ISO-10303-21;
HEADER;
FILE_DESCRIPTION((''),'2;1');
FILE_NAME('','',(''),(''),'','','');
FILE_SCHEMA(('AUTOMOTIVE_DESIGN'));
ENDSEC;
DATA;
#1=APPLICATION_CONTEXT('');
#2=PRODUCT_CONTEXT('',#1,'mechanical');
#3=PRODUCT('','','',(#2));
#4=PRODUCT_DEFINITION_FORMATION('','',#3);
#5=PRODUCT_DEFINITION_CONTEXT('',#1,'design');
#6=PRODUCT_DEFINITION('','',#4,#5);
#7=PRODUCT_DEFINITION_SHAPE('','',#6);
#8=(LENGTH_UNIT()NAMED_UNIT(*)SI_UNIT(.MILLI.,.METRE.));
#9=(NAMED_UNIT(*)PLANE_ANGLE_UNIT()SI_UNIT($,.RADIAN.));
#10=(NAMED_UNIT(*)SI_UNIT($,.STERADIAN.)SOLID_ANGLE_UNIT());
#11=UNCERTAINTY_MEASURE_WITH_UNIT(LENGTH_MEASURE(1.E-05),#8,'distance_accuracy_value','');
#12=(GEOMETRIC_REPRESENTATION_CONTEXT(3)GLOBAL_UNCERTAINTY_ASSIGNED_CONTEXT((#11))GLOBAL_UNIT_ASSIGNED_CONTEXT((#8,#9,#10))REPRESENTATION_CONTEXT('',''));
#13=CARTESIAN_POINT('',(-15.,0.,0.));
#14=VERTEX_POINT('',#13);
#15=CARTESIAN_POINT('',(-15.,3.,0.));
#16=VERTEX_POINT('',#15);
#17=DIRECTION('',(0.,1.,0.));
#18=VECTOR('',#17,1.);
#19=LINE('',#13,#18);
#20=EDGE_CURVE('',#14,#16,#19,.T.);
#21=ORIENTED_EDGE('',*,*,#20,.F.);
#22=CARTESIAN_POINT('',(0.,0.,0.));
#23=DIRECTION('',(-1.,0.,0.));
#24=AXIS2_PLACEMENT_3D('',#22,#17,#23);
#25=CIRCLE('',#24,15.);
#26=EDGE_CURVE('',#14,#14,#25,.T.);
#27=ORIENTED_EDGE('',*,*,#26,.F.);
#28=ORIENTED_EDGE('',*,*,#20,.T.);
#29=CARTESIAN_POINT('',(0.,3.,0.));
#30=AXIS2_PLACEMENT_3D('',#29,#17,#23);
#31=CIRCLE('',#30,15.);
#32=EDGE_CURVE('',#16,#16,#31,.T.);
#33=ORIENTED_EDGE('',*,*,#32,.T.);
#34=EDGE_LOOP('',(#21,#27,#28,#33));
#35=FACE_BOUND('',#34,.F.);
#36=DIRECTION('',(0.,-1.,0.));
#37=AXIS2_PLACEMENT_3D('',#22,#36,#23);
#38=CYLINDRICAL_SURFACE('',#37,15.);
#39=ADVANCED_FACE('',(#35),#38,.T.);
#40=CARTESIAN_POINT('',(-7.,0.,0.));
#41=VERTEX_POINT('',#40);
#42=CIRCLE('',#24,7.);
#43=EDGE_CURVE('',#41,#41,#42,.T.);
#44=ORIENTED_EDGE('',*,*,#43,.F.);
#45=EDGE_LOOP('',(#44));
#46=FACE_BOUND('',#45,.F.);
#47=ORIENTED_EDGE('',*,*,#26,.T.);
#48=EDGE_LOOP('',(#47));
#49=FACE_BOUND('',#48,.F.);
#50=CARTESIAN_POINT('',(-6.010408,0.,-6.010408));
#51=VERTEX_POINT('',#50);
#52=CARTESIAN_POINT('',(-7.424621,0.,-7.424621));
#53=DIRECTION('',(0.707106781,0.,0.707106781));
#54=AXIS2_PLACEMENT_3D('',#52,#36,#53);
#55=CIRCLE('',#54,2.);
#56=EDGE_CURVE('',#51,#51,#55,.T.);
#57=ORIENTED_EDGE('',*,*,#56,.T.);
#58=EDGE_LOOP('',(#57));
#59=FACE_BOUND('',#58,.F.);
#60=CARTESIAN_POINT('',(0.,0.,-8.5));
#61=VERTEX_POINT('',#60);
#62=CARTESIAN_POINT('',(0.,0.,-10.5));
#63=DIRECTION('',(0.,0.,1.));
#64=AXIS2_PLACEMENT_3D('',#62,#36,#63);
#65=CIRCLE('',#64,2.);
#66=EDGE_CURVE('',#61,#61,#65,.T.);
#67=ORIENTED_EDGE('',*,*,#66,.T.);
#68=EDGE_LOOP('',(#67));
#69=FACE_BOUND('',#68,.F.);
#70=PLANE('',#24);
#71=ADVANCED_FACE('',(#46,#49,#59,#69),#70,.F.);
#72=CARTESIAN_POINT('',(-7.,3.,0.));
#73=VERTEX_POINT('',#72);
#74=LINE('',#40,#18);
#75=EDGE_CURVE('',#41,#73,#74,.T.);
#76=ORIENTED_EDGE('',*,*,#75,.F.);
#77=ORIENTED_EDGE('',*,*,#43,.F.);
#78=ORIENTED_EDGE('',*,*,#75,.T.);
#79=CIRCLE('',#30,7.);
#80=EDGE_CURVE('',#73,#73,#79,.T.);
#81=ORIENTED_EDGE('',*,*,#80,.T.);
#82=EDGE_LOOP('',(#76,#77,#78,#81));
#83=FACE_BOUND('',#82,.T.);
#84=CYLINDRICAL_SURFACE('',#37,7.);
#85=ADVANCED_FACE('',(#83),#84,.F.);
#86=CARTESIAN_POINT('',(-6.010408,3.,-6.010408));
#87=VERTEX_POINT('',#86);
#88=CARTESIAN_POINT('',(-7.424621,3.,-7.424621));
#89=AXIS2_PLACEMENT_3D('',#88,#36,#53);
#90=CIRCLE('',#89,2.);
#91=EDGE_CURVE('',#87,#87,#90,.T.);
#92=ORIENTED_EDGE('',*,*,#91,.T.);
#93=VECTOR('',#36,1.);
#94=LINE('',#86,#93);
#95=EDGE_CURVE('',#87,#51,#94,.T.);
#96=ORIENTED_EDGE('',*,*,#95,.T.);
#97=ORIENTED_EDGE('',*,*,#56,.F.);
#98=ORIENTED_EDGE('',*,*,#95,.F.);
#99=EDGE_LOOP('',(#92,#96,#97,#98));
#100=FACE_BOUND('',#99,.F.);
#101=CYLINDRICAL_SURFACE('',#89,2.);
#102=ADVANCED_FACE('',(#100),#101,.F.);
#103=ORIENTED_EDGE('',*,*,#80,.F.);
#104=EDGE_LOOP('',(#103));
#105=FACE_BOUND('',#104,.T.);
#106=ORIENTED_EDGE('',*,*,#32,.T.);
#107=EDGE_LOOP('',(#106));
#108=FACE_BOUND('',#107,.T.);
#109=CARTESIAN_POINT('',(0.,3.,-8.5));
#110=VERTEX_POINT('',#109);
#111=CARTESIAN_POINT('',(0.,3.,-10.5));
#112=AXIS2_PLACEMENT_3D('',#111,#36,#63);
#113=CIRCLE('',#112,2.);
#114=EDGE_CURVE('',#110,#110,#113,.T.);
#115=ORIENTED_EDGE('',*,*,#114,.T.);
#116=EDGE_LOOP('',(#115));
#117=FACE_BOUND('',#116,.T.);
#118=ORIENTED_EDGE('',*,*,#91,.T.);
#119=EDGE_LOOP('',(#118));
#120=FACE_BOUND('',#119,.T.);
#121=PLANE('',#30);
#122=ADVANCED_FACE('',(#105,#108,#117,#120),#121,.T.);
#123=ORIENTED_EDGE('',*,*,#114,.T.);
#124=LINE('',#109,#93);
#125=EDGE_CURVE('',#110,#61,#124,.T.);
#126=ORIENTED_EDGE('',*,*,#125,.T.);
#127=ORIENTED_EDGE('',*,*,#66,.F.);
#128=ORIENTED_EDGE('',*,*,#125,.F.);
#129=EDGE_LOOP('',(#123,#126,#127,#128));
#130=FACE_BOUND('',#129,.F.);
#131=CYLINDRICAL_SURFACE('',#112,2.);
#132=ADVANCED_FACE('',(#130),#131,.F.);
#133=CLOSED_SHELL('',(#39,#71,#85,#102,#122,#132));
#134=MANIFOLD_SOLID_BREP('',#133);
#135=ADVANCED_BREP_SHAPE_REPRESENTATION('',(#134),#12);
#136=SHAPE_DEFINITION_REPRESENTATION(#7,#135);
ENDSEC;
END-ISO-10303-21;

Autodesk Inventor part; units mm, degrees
ref_plane "YZ Plane" through (0, 0, 0) normal (1, 0, 0) x (0, 1, 0)
ref_plane "XZ Plane" through (0, 0, 0) normal (0, 1, 0) x (-1, 0, 0)
ref_plane "XY Plane" through (0, 0, 0) normal (0, 0, 1) x (1, 0, 0)
sketch "Sketch1" plane through (0, 0, 0) normal (0, 1, 0) x (-1, 0, 0)
  circle A0 centre (0, 0) radius 15
  circle A1 centre (0, 0) radius 7
  dimension "d0" = 30
  dimension "d1" = 14
  dimension "d6" = 0
extrude "Extrusion1" add sketch "Sketch1" along normal blind 3
sketch "Sketch2" plane through (0, 3, 0) normal (0, 1, 0) x (1, 0, 0)
  circle A0 centre (0, 0) radius 15 projected
  line L0 (0, 0) -> (0, 10.5) construction
  circle A1 centre (0, 0) radius 10.5 construction
  line L1 (0, 0) -> (10.5, 0) construction
  dimension "d14" = 21
  dimension "d25" = 90
hole "Hole1" at (0, 3, -10.5) direction (0, -1, 0) diameter 4 end through all
pattern_circular "Circular Pattern2" count 2 over 45 about axis through (0, 0, 0) along (0, 1, 0) of "Hole1"
properties part number "OringProbe_ring_pipe_adapter_4mm_version" material "Stainless Steel, 440C"
